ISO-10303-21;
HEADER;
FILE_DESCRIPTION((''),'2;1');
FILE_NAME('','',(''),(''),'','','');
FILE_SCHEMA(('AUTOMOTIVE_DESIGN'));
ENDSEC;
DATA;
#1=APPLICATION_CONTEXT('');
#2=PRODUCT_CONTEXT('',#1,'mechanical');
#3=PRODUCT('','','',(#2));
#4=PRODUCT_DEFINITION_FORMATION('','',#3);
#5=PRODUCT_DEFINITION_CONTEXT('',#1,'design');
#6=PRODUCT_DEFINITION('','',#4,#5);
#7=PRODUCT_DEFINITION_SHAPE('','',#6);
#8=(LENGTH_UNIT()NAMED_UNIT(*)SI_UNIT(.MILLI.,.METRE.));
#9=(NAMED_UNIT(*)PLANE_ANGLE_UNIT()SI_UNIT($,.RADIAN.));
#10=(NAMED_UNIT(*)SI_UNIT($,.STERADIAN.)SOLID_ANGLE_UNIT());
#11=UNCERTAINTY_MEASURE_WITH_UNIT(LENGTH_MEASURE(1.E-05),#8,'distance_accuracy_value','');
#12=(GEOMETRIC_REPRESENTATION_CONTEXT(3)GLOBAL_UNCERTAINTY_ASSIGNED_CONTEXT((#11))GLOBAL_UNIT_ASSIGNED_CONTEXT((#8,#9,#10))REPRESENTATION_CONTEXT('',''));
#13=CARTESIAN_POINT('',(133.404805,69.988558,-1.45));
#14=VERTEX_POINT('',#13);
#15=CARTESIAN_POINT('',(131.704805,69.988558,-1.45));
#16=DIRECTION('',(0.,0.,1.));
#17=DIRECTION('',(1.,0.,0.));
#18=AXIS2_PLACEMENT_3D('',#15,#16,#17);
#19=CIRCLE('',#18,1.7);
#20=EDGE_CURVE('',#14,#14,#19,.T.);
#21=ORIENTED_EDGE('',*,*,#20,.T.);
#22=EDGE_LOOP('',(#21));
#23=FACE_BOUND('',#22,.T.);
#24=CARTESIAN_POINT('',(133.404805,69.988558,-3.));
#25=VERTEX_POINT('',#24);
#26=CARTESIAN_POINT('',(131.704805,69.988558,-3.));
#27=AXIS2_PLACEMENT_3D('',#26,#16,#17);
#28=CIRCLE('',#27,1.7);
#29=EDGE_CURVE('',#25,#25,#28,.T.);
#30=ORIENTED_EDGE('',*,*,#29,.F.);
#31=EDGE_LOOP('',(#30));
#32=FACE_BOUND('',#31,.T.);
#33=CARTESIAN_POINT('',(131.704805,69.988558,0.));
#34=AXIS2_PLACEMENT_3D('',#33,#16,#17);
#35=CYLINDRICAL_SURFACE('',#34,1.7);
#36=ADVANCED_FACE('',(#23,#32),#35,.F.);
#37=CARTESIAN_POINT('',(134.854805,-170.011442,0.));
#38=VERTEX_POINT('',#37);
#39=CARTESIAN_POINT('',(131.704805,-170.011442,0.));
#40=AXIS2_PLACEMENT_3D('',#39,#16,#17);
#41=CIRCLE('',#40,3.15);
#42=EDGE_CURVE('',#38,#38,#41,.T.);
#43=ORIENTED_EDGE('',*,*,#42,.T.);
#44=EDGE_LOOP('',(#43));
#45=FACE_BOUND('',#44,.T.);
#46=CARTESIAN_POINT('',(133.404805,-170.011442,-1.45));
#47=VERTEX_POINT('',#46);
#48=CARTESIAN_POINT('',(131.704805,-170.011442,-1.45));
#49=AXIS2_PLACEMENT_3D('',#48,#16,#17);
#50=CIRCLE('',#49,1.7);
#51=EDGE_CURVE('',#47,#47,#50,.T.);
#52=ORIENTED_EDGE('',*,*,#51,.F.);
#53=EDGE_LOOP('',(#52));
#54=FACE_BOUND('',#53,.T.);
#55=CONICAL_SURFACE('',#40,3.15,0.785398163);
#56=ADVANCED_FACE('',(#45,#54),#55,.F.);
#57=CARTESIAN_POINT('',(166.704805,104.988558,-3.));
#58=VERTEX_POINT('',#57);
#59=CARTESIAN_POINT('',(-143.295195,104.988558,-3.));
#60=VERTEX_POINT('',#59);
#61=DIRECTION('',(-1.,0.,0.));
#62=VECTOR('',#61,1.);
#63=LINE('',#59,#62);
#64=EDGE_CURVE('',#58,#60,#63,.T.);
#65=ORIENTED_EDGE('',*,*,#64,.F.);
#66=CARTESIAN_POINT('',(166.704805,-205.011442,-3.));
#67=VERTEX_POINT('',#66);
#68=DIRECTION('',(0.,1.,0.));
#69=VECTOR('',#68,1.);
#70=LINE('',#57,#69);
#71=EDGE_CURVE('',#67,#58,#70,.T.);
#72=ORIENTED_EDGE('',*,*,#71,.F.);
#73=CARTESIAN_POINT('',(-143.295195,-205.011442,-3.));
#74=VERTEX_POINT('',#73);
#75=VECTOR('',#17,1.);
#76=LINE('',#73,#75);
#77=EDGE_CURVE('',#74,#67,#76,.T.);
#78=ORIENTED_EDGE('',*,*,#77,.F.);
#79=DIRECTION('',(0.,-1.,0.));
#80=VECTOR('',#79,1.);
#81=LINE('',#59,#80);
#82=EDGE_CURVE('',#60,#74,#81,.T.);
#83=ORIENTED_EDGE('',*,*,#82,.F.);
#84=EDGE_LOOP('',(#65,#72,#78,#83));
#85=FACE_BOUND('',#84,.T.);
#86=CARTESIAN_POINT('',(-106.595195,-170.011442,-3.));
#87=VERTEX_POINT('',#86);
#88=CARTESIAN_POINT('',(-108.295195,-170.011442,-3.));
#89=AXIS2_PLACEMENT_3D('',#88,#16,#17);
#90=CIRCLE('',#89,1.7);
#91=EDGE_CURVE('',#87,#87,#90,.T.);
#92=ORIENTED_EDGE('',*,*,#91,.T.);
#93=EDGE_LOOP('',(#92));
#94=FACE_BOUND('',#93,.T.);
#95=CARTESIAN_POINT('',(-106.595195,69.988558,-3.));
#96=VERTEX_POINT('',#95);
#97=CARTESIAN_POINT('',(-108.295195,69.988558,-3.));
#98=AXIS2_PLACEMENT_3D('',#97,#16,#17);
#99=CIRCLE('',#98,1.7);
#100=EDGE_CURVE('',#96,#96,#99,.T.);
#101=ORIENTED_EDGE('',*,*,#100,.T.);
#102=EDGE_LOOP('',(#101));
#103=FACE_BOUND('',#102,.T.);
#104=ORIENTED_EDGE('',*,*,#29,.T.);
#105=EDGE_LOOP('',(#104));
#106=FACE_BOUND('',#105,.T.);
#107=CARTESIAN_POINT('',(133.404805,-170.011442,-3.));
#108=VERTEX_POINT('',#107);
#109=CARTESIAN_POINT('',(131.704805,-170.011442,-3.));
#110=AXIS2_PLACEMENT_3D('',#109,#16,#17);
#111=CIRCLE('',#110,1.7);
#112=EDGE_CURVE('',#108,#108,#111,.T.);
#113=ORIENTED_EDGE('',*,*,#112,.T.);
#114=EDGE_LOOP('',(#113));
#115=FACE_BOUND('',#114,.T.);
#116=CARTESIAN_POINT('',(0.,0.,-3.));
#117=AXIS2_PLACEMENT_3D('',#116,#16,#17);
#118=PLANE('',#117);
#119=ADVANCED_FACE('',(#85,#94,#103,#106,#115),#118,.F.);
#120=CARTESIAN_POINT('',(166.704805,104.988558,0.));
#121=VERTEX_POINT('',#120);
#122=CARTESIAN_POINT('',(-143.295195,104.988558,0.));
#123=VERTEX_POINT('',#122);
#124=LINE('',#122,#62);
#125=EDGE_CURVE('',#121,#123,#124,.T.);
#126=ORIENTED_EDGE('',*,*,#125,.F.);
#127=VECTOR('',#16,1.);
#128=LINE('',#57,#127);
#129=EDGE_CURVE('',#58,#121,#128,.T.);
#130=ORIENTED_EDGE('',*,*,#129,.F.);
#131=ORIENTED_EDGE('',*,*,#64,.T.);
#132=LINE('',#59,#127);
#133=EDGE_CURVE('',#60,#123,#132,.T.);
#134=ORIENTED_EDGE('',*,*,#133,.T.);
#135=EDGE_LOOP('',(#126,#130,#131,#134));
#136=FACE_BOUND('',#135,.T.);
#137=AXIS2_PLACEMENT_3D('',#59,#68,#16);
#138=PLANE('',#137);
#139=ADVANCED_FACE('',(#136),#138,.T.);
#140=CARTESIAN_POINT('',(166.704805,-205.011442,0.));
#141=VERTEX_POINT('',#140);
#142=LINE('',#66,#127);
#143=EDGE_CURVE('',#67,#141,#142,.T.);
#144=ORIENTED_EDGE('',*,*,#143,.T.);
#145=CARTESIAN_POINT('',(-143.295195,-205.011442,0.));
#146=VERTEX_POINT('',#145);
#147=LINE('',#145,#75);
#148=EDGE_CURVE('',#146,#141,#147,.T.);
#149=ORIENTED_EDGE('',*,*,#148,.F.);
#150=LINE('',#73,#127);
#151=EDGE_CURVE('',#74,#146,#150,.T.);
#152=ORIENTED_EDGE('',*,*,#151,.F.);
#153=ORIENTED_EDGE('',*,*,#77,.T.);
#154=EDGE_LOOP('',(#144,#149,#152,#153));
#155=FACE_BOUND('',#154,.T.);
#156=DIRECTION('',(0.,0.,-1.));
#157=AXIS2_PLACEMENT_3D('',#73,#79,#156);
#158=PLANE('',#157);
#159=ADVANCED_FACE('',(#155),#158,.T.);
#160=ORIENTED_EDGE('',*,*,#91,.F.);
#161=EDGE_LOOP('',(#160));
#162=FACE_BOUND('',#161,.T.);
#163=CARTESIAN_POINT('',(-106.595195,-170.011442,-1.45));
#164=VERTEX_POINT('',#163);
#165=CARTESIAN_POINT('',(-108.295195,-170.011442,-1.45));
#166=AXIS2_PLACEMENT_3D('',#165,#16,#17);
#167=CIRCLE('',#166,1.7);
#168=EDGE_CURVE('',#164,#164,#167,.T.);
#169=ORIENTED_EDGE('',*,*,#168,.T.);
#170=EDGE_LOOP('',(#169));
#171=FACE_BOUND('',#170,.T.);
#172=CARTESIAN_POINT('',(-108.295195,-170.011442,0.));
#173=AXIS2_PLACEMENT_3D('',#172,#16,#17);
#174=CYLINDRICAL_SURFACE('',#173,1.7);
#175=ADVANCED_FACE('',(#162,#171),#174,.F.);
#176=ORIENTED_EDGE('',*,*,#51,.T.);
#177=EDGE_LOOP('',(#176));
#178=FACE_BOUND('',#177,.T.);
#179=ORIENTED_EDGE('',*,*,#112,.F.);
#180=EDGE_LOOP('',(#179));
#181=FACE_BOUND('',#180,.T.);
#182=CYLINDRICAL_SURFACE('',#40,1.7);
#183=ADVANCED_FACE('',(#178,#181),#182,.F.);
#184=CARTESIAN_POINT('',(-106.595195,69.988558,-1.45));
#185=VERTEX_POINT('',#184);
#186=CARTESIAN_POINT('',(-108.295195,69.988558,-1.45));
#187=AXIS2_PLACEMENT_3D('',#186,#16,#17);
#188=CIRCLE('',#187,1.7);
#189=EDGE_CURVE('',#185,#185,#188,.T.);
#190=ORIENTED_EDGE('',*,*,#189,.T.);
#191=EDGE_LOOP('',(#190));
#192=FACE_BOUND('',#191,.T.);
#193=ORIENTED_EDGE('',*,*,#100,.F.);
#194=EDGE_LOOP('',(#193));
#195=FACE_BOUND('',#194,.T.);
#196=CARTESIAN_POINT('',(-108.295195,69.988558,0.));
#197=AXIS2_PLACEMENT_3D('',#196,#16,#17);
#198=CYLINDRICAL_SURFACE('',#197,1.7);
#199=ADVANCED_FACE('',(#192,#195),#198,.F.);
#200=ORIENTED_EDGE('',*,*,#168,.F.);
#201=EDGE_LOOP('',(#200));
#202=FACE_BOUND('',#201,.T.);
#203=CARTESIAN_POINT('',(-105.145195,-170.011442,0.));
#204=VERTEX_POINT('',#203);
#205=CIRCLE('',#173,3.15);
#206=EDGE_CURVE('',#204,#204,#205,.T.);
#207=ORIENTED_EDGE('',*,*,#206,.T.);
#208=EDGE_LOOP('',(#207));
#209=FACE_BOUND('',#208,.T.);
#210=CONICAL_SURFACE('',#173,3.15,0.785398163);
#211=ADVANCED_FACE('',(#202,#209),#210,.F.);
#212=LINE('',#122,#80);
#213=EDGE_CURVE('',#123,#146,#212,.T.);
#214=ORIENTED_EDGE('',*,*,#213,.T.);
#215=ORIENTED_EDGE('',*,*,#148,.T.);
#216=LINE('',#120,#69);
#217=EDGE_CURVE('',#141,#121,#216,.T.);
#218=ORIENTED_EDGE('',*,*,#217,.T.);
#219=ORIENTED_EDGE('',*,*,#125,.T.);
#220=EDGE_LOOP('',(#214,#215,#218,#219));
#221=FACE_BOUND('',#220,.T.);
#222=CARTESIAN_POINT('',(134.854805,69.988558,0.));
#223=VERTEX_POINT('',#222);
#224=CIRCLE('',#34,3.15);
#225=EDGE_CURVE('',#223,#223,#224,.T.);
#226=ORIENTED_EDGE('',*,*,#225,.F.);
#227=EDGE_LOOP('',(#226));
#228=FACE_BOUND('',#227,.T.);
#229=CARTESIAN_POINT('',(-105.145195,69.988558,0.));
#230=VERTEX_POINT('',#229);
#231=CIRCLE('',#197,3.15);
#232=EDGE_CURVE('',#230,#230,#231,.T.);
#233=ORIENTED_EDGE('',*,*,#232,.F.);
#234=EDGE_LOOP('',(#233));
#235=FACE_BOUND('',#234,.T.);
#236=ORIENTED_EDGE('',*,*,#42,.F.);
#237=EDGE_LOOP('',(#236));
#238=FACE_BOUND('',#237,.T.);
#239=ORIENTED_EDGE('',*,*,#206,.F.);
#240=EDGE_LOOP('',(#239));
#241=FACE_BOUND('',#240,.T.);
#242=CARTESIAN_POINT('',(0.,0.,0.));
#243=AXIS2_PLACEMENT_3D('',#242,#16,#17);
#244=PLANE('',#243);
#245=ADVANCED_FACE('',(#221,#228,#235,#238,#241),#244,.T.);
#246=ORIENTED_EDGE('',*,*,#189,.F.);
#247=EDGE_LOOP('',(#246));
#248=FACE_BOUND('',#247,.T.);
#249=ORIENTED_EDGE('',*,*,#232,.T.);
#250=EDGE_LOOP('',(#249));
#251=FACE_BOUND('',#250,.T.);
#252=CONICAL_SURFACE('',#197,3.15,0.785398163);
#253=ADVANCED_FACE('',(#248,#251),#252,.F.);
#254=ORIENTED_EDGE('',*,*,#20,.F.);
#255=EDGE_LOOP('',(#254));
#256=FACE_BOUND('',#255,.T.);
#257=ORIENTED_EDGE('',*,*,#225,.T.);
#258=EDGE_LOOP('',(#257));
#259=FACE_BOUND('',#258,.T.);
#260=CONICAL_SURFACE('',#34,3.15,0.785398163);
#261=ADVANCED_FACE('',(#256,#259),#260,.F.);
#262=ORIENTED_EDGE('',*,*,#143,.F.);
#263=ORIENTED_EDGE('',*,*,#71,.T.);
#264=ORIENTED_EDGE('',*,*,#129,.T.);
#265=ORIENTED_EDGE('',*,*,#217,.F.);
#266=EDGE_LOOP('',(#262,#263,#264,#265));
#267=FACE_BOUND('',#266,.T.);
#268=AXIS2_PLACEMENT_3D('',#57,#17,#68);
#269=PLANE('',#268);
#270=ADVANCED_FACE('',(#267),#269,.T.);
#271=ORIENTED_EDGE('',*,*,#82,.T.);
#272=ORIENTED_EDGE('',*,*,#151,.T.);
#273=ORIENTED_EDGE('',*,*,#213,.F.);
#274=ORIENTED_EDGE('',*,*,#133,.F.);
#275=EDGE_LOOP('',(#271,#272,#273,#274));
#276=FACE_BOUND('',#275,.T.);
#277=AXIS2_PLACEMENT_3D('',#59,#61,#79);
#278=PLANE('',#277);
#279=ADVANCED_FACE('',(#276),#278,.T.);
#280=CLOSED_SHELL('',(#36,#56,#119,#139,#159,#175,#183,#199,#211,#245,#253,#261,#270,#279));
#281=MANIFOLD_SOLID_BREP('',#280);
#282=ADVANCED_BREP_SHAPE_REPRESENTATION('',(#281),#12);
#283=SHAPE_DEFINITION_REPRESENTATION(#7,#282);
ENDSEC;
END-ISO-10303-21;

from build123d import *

# Parameters (mm, degrees)
SKETCH_1_W                  = 310
SKETCH_1_H                  = 310
EXTRUDE_1_DEPTH             = 3
HOLE_WIZARD_M3_1_AT_2_COUNT = 2
HOLE_WIZARD_M3_1_AT_2_PITCH = 240
HOLE_WIZARD_M3_1_AT_3_COUNT = 2
HOLE_WIZARD_M3_1_AT_3_PITCH = 339.41125497
HOLE_WIZARD_M3_1_AT_4_COUNT = 2
HOLE_WIZARD_M3_1_AT_4_PITCH = 240


with BuildPart() as part:
    # 草图1 → 凸台-拉伸1 (new body)
    with BuildSketch(Plane.XY):
        with Locations((11.704805492, -50.011441648)):
            Rectangle(SKETCH_1_W, SKETCH_1_H)
    extrude(amount=-EXTRUDE_1_DEPTH)

    # 草图3 → M3 平头机械螺钉的锥形沉头孔1 (revolve, cut)
    with BuildSketch(Plane(origin=(-108.295194508, 69.988558352, 0), x_dir=(0, -1, 0), z_dir=(1, 0, 0))):
        Polygon((0, 0), (0, 3), (1.7, 3), (1.7, 1.45), (3.15, 0), align=None)
    hole_wizard_m3_1 = revolve(axis=Axis((-108.295194508, 69.988558352, 6.35), (0, 0, -1)), mode=Mode.SUBTRACT)

    # M3 平头机械螺钉的锥形沉头孔1 at 2: M3 平头机械螺钉的锥形沉头孔1 ×2
    with Locations(*[(i * HOLE_WIZARD_M3_1_AT_2_PITCH, 0, 0) for i in range(1, HOLE_WIZARD_M3_1_AT_2_COUNT)]):
        add(hole_wizard_m3_1, mode=Mode.SUBTRACT)

    # M3 平头机械螺钉的锥形沉头孔1 at 3: M3 平头机械螺钉的锥形沉头孔1 ×2
    with Locations(*[Vector(0.707106781, -0.707106781, 0) * (i * HOLE_WIZARD_M3_1_AT_3_PITCH) for i in range(1, HOLE_WIZARD_M3_1_AT_3_COUNT)]):
        add(hole_wizard_m3_1, mode=Mode.SUBTRACT)

    # M3 平头机械螺钉的锥形沉头孔1 at 4: M3 平头机械螺钉的锥形沉头孔1 ×2
    with Locations(*[(0, -i * HOLE_WIZARD_M3_1_AT_4_PITCH, 0) for i in range(1, HOLE_WIZARD_M3_1_AT_4_COUNT)]):
        add(hole_wizard_m3_1, mode=Mode.SUBTRACT)


solid = part.part
